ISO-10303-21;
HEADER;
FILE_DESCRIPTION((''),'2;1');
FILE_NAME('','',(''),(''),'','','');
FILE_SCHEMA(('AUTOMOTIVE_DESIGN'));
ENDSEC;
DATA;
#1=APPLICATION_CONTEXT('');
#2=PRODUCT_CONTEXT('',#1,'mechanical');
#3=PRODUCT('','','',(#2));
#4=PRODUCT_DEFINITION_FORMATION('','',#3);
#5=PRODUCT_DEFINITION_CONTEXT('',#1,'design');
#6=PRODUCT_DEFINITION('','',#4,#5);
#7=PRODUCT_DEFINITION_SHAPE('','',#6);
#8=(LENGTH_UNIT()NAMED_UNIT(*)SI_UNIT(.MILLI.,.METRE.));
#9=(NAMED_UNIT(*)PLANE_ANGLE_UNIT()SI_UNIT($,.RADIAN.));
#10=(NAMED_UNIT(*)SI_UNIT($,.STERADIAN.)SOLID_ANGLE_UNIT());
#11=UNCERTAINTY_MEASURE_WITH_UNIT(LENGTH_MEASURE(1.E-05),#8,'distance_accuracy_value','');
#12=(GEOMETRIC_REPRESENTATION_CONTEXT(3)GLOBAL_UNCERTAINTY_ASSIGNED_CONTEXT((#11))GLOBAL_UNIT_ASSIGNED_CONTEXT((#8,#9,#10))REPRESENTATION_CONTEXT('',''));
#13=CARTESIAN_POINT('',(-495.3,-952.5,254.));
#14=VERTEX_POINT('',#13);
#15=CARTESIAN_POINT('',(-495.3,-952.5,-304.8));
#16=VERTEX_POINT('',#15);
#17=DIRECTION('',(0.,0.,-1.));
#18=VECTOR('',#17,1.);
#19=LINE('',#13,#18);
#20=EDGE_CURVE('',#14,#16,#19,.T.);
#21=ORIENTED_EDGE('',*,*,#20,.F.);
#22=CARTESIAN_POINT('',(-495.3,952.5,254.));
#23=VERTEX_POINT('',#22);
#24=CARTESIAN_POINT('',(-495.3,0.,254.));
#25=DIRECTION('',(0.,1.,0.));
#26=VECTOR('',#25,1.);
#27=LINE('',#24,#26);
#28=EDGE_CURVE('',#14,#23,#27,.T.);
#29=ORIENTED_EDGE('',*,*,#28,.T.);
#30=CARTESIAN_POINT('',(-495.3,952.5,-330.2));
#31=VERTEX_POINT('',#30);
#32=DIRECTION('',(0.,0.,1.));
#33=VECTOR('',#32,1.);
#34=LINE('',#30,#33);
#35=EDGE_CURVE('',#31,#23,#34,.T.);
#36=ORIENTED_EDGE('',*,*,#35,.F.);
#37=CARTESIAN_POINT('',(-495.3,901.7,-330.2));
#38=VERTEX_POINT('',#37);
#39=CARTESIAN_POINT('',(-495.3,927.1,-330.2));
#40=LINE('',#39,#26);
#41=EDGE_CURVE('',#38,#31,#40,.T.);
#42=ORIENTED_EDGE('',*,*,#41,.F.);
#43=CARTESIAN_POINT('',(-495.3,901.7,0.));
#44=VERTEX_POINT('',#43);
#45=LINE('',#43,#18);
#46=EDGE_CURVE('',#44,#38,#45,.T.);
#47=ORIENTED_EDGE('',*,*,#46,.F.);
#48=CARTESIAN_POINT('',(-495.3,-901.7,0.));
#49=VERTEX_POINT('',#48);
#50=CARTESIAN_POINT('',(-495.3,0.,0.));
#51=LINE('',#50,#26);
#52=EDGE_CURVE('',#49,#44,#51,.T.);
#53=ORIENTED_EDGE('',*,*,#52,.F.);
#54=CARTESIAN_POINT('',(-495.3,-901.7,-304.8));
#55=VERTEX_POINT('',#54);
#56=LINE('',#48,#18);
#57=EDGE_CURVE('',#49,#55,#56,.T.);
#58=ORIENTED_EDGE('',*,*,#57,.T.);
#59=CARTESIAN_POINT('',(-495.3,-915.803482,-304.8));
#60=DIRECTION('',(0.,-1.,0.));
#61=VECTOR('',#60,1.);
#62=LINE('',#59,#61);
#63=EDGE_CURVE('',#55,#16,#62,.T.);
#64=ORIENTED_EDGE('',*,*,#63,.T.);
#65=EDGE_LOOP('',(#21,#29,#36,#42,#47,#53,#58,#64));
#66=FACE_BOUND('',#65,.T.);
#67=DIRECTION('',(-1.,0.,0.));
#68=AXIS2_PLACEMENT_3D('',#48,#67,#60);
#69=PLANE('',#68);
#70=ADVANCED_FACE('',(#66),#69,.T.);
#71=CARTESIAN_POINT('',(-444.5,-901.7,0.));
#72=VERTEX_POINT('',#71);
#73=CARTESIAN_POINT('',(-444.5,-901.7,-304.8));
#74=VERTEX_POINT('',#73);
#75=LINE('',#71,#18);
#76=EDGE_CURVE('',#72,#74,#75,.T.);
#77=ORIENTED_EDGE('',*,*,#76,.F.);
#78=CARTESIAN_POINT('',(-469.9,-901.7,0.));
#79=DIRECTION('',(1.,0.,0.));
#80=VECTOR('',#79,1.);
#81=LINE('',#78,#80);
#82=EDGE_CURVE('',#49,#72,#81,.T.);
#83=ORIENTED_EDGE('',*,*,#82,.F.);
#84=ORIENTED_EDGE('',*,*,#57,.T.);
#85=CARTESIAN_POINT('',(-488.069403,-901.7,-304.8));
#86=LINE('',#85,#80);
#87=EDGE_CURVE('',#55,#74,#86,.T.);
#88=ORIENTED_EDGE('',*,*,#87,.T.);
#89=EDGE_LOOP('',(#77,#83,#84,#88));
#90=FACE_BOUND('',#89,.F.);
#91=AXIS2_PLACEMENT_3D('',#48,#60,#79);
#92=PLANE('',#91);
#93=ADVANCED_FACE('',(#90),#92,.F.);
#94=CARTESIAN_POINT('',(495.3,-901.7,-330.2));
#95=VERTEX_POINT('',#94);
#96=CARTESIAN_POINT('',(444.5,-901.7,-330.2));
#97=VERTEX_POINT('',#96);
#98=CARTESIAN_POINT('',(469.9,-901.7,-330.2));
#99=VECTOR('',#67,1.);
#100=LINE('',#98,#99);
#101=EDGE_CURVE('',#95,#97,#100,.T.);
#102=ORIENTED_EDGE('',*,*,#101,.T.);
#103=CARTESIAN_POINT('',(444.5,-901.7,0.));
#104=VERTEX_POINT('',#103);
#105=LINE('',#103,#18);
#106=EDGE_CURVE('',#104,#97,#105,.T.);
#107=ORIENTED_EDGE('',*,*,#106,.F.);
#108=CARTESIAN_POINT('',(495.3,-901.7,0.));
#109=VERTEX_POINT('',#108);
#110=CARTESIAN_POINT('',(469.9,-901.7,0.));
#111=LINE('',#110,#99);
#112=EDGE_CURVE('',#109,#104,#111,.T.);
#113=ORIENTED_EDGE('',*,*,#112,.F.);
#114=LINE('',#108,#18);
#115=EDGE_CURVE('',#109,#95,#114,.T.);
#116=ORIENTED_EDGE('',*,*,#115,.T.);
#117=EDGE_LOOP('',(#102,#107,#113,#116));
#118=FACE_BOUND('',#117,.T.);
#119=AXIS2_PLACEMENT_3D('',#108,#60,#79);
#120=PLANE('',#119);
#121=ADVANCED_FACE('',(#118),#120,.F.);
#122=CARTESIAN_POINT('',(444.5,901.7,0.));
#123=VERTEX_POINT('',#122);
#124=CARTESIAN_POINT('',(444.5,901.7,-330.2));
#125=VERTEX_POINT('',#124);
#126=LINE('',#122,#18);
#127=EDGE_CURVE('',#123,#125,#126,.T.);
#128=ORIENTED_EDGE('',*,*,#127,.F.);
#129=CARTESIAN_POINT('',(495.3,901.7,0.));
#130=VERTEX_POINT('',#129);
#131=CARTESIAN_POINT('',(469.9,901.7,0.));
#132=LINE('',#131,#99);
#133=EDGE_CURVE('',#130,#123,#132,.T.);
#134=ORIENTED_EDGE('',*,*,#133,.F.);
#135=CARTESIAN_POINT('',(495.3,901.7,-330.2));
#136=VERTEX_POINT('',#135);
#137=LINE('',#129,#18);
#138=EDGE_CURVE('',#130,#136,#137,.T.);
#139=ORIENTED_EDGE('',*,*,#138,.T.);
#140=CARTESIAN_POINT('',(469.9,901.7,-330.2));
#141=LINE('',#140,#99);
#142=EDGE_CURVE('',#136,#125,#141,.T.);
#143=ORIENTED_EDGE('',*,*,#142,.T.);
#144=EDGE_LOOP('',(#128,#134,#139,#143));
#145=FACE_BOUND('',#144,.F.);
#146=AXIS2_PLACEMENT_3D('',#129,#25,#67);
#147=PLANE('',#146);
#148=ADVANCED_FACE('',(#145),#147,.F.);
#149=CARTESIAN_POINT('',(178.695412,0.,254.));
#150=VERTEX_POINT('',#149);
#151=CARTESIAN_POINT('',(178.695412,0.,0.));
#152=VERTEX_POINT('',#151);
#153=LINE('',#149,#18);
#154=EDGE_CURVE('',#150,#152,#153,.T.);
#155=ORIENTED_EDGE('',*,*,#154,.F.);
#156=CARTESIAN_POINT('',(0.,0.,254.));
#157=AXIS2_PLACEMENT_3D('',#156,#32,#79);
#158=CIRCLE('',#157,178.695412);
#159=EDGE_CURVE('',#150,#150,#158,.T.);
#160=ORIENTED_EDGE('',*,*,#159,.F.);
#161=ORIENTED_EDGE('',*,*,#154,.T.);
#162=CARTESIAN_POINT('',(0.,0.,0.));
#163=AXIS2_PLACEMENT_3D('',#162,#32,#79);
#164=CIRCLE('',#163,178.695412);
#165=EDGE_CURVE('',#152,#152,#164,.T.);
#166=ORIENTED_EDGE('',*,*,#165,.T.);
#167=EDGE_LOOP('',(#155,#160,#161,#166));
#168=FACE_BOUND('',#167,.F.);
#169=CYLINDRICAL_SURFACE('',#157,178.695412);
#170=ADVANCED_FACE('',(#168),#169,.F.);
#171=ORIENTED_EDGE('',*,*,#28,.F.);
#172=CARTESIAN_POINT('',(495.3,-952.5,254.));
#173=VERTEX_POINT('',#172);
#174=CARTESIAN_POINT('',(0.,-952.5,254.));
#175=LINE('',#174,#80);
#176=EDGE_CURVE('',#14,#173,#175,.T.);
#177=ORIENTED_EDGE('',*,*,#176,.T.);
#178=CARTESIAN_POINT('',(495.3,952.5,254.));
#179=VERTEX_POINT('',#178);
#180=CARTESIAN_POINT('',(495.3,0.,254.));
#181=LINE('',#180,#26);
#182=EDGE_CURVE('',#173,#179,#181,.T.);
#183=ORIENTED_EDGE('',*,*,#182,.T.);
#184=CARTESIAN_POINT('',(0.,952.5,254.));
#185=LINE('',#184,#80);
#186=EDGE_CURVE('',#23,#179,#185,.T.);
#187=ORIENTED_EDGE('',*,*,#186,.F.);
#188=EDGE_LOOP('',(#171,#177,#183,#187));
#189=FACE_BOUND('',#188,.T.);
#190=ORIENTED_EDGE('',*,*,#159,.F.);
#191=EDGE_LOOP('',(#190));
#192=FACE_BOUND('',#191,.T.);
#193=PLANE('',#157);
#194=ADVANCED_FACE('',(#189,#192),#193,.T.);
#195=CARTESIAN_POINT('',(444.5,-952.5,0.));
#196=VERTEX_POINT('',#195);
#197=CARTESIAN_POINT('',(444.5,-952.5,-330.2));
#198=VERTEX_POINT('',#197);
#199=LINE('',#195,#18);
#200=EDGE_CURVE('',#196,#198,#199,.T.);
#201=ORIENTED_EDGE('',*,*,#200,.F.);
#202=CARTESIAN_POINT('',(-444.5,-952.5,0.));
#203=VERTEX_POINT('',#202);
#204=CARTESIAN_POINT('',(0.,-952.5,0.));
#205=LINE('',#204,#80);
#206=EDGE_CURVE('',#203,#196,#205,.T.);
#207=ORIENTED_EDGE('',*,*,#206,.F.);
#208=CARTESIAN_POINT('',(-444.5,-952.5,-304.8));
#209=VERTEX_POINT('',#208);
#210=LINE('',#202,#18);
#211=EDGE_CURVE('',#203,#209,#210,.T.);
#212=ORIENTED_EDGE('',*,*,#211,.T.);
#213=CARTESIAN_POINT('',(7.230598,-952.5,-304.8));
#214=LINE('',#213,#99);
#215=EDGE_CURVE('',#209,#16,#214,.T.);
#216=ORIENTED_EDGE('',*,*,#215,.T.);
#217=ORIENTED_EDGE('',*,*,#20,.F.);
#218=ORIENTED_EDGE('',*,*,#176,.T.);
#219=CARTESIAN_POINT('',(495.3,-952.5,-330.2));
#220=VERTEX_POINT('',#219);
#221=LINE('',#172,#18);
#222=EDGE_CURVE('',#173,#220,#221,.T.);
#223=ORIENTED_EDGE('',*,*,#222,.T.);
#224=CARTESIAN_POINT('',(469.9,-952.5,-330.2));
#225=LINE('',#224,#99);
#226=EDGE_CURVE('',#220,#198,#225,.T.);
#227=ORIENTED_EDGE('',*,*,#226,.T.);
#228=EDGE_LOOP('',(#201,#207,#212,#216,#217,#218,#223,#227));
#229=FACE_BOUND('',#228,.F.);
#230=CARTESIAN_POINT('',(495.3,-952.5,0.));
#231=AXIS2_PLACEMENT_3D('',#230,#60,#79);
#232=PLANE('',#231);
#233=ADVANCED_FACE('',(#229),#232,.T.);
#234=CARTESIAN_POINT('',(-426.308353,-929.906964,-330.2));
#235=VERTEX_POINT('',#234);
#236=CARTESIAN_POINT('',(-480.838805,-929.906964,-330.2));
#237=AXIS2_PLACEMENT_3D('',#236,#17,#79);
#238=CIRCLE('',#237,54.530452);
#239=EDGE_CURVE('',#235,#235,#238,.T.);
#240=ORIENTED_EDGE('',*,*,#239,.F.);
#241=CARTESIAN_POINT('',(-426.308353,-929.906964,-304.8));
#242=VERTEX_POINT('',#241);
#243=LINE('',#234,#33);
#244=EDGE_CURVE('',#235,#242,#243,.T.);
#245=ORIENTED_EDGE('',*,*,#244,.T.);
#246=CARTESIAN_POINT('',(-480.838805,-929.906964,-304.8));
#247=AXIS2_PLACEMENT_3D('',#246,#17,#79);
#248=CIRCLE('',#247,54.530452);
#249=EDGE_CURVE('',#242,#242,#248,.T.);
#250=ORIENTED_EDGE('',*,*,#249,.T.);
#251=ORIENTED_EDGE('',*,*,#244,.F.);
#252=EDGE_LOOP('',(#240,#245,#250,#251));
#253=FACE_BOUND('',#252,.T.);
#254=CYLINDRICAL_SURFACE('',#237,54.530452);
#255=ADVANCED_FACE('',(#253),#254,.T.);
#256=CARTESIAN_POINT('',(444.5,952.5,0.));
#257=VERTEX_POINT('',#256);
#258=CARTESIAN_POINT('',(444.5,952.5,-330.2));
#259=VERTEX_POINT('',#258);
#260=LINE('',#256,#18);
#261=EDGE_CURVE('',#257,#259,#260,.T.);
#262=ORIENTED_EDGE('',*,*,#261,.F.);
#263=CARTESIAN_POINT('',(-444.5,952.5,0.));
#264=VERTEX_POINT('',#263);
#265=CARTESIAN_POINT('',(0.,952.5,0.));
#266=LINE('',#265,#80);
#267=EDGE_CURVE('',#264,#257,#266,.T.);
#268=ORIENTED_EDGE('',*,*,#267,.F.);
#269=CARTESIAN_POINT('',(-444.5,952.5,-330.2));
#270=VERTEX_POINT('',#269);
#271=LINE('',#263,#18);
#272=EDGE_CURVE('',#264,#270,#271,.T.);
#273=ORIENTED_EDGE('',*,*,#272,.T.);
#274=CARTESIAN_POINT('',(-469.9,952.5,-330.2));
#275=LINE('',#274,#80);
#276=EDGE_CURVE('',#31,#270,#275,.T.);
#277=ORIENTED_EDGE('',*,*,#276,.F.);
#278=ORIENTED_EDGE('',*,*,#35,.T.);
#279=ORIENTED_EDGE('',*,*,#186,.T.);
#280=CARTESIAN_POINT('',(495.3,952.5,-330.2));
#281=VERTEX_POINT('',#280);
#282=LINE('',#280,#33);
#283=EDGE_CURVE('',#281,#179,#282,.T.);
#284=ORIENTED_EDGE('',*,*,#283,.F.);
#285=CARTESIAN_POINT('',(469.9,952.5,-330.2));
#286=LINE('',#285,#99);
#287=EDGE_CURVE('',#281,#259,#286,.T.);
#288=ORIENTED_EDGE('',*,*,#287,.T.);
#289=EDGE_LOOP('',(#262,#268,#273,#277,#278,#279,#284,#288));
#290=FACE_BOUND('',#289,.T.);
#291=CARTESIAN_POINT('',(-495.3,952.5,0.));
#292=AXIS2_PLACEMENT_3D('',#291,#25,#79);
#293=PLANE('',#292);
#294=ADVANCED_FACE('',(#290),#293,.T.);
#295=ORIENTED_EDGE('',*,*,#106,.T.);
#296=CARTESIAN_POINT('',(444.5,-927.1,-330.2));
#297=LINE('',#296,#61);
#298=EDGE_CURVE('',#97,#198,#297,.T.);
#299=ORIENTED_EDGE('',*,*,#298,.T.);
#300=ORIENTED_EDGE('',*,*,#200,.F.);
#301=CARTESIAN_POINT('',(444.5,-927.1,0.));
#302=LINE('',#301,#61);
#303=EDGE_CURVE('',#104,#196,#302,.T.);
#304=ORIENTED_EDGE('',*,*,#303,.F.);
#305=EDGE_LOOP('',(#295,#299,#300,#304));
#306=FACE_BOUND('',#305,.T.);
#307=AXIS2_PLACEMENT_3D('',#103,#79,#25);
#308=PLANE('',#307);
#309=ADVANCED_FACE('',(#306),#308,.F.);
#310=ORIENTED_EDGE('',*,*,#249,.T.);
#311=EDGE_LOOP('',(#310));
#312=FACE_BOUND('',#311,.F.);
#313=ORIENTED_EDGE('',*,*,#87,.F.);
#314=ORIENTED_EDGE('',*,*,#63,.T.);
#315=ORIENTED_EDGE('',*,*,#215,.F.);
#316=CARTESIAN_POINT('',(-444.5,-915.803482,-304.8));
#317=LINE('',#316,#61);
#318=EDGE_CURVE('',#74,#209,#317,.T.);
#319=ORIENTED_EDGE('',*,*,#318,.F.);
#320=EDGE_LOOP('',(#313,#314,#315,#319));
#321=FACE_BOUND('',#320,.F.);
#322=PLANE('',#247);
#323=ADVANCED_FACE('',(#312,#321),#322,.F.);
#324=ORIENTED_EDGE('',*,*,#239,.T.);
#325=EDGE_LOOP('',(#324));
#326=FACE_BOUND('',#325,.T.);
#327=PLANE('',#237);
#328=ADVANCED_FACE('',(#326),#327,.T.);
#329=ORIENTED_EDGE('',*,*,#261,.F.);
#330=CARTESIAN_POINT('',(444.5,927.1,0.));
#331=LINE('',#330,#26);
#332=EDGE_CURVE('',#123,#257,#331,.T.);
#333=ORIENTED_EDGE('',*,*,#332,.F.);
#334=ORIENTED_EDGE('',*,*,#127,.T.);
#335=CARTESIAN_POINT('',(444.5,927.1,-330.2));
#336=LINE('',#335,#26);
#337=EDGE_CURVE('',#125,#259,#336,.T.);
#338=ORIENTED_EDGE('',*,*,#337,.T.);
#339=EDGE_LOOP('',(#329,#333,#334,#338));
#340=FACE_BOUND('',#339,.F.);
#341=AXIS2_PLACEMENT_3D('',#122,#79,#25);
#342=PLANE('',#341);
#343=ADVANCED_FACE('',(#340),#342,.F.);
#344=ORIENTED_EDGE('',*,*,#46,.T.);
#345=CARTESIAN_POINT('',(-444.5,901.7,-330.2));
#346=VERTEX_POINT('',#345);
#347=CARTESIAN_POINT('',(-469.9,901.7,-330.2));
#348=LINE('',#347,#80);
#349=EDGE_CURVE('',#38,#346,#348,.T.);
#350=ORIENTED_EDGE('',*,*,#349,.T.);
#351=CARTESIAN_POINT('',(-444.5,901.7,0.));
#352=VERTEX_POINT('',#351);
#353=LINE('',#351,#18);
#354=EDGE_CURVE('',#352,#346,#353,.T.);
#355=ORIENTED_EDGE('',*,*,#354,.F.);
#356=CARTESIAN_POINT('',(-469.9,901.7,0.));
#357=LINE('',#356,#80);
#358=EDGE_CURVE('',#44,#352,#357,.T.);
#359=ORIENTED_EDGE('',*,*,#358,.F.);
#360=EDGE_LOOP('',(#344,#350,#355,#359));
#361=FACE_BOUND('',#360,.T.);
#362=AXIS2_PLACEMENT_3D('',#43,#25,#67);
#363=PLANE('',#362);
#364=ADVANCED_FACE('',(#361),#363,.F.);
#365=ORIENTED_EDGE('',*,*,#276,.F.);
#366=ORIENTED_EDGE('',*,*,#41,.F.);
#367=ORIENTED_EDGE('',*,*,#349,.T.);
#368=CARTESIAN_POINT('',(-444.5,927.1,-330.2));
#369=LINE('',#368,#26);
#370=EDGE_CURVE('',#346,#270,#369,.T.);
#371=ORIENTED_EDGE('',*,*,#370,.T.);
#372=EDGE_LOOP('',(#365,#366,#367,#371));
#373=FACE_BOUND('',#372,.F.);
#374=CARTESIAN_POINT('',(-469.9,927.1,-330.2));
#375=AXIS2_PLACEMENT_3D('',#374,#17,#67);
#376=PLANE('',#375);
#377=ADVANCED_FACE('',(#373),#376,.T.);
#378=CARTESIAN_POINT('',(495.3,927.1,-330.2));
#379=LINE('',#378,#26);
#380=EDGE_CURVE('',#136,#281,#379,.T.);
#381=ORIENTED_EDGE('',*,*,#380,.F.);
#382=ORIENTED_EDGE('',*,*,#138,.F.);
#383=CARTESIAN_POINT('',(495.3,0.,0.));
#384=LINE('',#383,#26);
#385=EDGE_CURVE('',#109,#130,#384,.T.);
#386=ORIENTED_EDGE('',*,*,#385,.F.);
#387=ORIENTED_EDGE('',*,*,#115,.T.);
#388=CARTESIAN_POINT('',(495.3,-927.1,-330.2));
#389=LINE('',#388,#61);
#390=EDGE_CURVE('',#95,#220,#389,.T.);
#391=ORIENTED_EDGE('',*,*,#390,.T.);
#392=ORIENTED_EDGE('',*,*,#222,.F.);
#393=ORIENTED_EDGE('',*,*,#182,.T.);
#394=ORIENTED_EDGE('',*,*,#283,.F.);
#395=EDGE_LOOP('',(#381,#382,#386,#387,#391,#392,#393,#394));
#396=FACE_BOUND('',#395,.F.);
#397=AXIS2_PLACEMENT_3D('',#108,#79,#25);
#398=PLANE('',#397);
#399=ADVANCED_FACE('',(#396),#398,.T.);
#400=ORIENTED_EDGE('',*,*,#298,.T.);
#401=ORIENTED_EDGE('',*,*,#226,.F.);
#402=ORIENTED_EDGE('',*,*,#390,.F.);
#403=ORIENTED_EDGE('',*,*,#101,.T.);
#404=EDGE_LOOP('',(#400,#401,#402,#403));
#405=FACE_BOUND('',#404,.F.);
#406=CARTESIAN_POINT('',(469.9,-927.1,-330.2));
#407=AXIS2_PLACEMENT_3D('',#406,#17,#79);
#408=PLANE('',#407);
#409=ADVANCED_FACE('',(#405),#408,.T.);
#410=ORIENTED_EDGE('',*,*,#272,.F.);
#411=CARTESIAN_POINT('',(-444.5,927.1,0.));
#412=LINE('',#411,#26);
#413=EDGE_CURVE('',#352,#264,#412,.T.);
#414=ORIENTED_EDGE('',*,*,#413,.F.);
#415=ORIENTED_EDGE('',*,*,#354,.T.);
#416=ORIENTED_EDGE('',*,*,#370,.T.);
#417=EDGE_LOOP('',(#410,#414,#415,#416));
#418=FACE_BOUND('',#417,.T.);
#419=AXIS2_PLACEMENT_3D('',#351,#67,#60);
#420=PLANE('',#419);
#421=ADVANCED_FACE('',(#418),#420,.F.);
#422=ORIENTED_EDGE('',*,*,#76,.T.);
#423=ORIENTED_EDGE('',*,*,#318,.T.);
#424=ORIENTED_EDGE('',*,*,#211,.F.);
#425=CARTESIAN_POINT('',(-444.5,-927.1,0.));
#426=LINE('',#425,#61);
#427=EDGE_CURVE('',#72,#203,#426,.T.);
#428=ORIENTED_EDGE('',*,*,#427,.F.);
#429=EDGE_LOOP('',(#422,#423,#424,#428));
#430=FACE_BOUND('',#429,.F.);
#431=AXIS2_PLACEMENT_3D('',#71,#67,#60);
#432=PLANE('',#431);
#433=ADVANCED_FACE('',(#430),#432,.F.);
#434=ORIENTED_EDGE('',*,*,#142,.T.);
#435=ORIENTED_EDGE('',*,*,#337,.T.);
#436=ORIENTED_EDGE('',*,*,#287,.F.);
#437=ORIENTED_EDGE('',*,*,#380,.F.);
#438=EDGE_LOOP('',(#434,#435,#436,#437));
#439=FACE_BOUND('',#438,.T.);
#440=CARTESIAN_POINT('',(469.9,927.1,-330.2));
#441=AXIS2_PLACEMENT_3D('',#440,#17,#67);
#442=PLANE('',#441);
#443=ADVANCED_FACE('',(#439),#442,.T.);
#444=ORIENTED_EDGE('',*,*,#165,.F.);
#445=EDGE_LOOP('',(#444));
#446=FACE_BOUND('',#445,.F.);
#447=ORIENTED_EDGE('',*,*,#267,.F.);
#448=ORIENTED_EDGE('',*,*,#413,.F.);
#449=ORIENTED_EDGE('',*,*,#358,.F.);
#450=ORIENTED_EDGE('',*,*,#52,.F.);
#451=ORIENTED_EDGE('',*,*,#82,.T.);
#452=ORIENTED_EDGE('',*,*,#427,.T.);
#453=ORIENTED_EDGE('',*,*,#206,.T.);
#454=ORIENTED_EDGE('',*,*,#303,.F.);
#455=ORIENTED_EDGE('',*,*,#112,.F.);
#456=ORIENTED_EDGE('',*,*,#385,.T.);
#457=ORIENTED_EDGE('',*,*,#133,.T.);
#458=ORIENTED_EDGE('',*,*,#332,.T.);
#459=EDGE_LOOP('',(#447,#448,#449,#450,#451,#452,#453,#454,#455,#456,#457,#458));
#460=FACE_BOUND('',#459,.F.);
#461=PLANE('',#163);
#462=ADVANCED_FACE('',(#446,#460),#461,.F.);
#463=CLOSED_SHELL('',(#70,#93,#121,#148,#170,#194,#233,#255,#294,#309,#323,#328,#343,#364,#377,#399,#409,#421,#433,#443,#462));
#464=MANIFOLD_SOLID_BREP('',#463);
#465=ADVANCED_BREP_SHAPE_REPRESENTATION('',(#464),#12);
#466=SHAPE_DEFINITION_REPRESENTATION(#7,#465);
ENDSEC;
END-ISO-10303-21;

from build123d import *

# Parameters (mm, degrees)
F0_W     = 990.6
F0_H     = 1905
F1_DEPTH = 254
F2_W     = 50.8
F2_H     = 50.8
F3_DEPTH = 330.2
F6_R     = 178.695412
F7_DEPTH = 584.201
F8_R     = 54.530452
F9_DEPTH = 25.4


with BuildPart() as f1:
    # F0 (on Top) → F1 (new body)
    with BuildSketch(Plane.XY):
        Rectangle(F0_W, F0_H)
    extrude(amount=F1_DEPTH)

    # F2 (on face) → F3 (join)
    with BuildSketch(Plane(origin=(0, 0, 0), x_dir=(1, 0, 0), z_dir=(0, 0, -1))):
        with Locations((-469.9, 927.1)):
            Rectangle(F2_W, F2_H)
    extrude(amount=F3_DEPTH)

    # F4: F1 across plane


with BuildPart() as f1_1:
    add(f1.part)
    add(f1.part.mirror(Plane.YZ))

    # F5: F1 across plane


with BuildPart() as f1_2:
    add(f1_1.part)
    add(f1_1.part.mirror(Plane.XZ))

    # F6 (on face) → F7 (cut, through all)
    with BuildSketch(Plane.XY.offset(254)):
        Circle(F6_R)
    extrude(amount=-F7_DEPTH, mode=Mode.SUBTRACT)

    # F8 (on face) → F9 (join)
    with BuildSketch(Plane(origin=(0, 0, -330.2), x_dir=(1, 0, 0), z_dir=(0, 0, -1))):
        with Locations((-480.838805, 929.906964)):
            Circle(F8_R)
    extrude(amount=-F9_DEPTH)


solid = f1_2.part
